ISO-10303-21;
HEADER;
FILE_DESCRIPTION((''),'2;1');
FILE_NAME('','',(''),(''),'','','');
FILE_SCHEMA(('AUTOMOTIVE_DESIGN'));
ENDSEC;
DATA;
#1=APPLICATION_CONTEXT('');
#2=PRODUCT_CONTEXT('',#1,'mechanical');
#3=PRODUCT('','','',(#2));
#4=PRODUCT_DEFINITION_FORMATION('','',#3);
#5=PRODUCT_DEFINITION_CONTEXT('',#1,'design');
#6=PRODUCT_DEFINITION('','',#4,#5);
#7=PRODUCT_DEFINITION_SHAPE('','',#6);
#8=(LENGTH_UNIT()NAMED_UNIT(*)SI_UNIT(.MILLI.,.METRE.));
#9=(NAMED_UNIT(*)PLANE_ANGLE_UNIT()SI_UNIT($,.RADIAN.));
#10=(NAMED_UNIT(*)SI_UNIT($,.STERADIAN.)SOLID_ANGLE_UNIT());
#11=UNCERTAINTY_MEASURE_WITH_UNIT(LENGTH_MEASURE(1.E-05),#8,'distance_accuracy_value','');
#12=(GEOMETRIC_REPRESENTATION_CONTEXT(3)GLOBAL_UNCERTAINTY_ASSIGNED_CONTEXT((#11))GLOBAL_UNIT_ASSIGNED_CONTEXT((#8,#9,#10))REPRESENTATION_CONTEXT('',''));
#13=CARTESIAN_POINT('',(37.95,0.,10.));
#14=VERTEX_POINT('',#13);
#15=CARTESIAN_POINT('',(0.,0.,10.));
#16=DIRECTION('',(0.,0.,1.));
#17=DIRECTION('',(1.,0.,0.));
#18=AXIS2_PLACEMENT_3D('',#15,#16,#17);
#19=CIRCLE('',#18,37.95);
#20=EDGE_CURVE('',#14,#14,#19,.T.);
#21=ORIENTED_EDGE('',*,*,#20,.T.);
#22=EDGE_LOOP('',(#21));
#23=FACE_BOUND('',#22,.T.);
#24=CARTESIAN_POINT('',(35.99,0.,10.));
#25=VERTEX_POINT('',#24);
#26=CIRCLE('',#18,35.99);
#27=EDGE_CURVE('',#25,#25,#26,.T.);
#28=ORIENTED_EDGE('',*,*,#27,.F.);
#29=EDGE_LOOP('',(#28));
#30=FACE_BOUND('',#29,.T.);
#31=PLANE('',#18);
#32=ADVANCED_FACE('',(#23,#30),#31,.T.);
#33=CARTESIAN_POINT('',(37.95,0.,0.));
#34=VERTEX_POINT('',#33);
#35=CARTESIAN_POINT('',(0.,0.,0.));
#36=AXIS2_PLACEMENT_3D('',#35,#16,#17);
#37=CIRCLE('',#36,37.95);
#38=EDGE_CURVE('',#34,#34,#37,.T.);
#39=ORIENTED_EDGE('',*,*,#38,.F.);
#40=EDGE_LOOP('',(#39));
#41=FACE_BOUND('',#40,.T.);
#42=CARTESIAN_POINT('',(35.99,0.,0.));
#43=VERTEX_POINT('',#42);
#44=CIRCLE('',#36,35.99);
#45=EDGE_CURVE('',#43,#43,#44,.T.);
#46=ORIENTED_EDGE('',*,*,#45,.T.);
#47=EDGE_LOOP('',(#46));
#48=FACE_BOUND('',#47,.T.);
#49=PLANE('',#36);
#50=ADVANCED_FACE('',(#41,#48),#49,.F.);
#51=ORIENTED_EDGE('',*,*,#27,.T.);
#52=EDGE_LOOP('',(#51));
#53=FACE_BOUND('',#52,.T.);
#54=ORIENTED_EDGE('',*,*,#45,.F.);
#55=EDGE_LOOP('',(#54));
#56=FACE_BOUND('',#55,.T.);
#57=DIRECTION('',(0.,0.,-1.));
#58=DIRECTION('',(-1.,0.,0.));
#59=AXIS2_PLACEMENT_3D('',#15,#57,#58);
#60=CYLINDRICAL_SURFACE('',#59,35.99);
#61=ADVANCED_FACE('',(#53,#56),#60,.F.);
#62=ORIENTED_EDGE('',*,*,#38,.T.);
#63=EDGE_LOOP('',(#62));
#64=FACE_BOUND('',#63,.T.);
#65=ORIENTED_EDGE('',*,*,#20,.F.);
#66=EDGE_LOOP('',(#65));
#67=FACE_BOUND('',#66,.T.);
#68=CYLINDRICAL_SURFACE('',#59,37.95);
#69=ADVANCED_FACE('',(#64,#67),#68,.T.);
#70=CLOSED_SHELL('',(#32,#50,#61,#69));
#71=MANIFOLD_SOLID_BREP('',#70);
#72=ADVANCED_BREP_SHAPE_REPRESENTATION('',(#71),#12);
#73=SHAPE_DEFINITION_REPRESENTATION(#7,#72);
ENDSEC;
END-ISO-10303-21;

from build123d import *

# Parameters (mm, degrees)
SKETCH1_R           = 37.95
SKETCH1_R_2         = 35.99
BOSS_EXTRUDE1_DEPTH = 10


with BuildPart() as part:
    # Sketch1 → Boss-Extrude1 (new body)
    with BuildSketch(Plane.XY):
        Circle(SKETCH1_R)
        Circle(SKETCH1_R_2, mode=Mode.SUBTRACT)
    extrude(amount=BOSS_EXTRUDE1_DEPTH)


solid = part.part
